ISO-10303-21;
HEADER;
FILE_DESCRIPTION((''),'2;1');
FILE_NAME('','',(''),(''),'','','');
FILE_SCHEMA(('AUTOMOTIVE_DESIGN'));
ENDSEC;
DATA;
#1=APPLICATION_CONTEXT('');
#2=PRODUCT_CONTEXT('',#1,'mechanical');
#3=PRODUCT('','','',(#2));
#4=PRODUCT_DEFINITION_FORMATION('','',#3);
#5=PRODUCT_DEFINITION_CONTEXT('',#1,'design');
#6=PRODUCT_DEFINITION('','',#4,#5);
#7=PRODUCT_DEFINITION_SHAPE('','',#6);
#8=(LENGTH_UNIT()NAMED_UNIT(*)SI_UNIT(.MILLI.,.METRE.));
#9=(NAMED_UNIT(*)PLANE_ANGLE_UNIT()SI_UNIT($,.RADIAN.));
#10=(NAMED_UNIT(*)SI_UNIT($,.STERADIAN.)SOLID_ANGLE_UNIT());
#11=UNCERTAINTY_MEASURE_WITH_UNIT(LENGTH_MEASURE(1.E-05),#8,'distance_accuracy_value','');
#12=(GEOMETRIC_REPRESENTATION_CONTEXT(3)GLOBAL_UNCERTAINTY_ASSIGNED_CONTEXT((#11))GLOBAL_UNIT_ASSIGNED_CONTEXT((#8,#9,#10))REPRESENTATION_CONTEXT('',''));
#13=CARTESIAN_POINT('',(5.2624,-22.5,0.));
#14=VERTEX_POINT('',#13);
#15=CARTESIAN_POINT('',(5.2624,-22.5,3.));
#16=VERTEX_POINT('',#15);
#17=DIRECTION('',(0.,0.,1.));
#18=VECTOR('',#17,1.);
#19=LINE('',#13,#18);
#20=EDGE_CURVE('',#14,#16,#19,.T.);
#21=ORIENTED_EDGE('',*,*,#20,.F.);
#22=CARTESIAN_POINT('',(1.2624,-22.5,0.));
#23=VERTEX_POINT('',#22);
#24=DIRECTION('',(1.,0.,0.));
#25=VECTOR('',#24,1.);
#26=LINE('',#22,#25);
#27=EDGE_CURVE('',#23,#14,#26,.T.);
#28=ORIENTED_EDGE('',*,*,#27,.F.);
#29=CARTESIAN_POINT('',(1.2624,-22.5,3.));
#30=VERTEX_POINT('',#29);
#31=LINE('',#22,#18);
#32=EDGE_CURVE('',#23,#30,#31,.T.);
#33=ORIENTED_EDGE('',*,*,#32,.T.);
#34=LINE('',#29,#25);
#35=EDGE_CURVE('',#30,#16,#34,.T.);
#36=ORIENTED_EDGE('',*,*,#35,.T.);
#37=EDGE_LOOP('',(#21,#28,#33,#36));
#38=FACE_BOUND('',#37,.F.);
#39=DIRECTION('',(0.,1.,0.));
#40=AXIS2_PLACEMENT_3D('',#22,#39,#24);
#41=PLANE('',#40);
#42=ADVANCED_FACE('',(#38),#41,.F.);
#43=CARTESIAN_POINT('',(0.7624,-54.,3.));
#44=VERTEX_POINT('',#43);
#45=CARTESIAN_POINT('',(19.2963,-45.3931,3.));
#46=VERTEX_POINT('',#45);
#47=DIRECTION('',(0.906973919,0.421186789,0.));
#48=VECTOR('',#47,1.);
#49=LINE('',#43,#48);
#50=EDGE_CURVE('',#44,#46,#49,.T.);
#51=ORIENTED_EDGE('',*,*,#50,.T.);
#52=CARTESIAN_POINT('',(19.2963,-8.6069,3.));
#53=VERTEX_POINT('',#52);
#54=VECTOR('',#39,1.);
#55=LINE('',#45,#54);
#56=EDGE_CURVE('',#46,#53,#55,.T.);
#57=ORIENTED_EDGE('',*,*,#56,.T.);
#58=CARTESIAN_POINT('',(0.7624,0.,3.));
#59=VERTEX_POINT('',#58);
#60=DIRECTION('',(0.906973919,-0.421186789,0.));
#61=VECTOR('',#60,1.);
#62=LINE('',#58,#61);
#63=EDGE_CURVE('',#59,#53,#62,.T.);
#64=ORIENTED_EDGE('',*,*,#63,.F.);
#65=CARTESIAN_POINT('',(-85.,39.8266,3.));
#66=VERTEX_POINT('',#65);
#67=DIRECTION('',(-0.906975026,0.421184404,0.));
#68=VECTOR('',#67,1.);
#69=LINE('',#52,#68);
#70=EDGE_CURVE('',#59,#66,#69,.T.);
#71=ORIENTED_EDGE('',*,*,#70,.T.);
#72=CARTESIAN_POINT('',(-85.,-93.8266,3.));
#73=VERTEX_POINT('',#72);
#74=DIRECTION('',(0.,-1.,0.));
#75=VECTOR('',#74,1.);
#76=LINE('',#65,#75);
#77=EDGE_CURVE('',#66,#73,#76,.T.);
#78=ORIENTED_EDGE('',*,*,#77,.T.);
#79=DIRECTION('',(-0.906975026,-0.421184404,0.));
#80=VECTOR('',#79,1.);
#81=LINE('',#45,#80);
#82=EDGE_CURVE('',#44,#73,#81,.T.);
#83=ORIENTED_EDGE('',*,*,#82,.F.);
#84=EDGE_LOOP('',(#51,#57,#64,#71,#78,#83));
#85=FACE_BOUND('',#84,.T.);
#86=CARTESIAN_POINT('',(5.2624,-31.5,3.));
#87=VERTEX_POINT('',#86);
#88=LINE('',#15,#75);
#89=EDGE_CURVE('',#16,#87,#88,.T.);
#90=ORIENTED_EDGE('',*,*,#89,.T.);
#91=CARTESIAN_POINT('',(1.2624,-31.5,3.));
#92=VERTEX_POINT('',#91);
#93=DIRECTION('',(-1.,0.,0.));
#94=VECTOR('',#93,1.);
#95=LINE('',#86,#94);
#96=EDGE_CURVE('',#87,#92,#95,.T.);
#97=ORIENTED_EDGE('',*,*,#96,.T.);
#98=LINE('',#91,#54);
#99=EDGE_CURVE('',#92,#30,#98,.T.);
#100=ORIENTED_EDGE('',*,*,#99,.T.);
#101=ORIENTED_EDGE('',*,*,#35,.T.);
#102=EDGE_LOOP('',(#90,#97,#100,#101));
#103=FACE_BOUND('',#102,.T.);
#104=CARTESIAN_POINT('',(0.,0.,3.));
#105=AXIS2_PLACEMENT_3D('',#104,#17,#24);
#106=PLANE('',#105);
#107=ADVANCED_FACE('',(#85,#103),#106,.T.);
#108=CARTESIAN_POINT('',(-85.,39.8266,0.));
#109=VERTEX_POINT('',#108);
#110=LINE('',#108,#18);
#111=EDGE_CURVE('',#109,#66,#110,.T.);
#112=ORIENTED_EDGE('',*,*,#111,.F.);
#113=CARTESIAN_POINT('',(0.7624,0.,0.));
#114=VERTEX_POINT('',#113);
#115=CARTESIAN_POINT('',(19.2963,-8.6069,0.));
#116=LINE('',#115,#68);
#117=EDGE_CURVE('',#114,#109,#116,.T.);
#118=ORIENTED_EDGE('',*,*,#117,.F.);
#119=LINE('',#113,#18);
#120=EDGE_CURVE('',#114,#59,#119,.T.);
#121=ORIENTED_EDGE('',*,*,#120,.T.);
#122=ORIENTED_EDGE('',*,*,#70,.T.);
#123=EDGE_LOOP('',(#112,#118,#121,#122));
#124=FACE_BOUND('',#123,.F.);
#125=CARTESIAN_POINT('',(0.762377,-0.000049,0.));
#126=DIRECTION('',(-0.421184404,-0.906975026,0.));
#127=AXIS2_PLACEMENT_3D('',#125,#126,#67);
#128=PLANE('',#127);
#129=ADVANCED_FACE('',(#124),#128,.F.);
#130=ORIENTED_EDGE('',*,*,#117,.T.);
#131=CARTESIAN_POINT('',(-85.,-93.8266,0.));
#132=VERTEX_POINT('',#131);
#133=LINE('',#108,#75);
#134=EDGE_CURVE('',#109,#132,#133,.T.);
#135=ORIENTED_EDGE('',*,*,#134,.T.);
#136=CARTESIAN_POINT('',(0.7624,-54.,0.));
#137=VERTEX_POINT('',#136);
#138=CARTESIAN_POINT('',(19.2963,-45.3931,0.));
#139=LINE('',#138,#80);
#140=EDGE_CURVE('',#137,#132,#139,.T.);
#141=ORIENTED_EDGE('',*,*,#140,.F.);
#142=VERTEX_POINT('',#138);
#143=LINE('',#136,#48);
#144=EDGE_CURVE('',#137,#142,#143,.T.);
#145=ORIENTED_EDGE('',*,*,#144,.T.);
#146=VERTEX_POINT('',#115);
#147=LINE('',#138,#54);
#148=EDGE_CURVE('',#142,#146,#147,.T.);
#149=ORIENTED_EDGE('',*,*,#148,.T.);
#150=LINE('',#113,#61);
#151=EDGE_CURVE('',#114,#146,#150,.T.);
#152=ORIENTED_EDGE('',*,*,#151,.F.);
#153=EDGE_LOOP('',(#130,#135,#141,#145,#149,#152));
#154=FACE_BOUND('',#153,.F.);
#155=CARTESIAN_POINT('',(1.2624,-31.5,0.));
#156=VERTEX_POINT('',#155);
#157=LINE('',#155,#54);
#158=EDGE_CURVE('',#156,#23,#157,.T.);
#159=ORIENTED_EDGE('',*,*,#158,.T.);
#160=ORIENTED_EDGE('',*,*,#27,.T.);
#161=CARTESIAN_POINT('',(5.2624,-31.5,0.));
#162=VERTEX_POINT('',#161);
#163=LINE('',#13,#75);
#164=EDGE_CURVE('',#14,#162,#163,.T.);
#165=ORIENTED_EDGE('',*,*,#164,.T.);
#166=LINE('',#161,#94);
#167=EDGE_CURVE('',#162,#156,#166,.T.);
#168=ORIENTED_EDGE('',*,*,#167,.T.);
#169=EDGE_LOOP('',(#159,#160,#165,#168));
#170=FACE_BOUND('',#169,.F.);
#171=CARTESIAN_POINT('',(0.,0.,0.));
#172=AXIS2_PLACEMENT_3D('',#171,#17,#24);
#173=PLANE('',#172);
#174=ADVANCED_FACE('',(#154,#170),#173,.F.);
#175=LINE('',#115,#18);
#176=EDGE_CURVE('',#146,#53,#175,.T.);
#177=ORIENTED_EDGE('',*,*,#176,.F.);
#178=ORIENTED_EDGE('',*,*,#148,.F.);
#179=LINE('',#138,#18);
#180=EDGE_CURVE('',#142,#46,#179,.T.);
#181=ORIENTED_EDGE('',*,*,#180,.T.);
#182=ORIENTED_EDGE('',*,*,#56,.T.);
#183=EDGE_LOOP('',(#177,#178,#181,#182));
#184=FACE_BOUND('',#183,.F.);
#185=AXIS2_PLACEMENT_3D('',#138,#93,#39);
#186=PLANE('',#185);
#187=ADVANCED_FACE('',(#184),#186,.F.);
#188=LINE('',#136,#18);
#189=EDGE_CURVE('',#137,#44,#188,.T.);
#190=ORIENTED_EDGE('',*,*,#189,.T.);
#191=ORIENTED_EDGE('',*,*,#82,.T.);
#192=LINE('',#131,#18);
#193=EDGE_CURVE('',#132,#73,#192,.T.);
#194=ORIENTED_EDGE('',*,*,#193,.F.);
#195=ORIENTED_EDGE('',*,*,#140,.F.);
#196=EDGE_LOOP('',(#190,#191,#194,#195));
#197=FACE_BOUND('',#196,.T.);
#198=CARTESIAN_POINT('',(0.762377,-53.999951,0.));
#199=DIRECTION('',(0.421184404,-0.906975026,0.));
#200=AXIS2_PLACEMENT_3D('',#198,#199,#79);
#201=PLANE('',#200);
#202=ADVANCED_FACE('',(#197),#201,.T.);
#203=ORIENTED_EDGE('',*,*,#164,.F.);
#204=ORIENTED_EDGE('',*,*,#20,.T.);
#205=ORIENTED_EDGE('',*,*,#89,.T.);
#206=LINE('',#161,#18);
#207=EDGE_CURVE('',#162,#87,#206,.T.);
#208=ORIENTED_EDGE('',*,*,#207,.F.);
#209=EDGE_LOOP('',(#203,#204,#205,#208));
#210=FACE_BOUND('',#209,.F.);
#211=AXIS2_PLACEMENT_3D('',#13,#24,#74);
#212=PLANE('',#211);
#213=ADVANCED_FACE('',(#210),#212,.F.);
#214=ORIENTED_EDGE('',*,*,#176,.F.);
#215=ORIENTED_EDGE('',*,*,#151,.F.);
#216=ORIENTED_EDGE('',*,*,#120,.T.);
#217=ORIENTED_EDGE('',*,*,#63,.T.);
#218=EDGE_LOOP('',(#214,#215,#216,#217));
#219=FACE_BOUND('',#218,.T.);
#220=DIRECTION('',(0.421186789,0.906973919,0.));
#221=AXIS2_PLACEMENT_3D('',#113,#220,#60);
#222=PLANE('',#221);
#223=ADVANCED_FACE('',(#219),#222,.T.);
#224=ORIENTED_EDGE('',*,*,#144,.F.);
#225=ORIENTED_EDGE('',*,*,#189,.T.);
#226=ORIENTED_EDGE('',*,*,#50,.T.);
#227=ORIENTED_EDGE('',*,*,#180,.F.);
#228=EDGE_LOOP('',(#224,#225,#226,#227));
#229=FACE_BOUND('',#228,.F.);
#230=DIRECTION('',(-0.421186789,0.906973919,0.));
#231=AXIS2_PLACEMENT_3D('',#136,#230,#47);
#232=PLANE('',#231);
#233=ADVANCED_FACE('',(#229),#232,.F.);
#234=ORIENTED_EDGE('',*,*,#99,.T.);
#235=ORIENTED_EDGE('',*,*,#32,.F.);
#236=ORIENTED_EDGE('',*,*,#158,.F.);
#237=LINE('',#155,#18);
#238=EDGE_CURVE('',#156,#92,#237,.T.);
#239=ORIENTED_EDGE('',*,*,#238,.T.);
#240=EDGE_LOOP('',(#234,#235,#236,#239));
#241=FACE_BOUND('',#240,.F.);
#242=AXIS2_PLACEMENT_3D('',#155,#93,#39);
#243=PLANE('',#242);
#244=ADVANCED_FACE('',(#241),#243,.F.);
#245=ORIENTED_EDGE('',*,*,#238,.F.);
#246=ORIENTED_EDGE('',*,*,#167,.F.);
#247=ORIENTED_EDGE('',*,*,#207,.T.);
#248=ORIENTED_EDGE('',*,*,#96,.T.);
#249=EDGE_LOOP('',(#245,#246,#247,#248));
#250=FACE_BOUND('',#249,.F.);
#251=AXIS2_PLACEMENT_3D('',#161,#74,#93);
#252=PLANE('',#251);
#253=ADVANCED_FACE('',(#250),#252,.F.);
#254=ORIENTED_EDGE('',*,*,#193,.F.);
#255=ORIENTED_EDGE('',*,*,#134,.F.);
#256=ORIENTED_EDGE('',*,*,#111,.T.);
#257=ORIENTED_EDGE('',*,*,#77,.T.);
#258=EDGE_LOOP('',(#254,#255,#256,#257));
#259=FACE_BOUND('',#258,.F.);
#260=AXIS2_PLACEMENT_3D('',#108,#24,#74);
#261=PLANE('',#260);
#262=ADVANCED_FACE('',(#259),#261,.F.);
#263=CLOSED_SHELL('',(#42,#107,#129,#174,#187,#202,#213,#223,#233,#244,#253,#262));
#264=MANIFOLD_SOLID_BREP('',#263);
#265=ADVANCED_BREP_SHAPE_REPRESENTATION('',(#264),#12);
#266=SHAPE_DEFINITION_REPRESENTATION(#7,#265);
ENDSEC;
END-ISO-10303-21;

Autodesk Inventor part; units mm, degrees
ref_plane "YZ Plane" through (0, 0, 0) normal (1, 0, 0) x (0, 1, 0)
ref_plane "XZ Plane" through (0, 0, 0) normal (0, 1, 0) x (-1, 0, 0)
ref_plane "XY Plane" through (0, 0, 0) normal (0, 0, 1) x (1, 0, 0)
sketch "Sketch1" plane through (0, 0, 0) normal (0, 0, 1) x (1, 0, 0)
  line L0 (0, -54) -> (0, 0) construction
  line L1 (0.7624, -54) -> (19.2963, -45.3931) projected
  line L2 (-85, 39.8266) -> (-85, -93.8266)
  line L3 (1.7624, -31) -> (1.7624, -23) projected
  line L4 (5.2624, -31.5) -> (1.2624, -31.5)
  line L5 (1.2624, -31.5) -> (1.2624, -22.5)
  line L6 (1.2624, -22.5) -> (5.2624, -22.5)
  line L7 (5.2624, -22.5) -> (5.2624, -31.5)
  line L8 (19.2963, -45.3931) -> (19.2963, -8.6069) projected
  line L9 (0.7624, 0) -> (19.2963, -8.6069) projected
  line L10 (19.2963, -8.6069) -> (-85, 39.8266)
  line L11 (19.2963, -45.3931) -> (-85, -93.8266)
  line L12 (19.2963, -8.6069) -> (19.2963, -45.3931)
  line L13 (4.7624, -23) -> (4.7624, -31) projected
  line L14 (4.7624, -31) -> (1.7624, -31) projected
  line L15 (1.7624, -23) -> (4.7624, -23) projected
  point P0 (0, 0)
  dimension "d0" = 85
  dimension "d5" = 0.5
  dimension "d6" = 0.5
  dimension "d7" = 0.5
  dimension "d8" = 0.5
extrude "Extrusion1" add sketch "Sketch1" along normal blind 3 contours L11 L2 L10 L9 L8 L1
properties part number "Pata"
